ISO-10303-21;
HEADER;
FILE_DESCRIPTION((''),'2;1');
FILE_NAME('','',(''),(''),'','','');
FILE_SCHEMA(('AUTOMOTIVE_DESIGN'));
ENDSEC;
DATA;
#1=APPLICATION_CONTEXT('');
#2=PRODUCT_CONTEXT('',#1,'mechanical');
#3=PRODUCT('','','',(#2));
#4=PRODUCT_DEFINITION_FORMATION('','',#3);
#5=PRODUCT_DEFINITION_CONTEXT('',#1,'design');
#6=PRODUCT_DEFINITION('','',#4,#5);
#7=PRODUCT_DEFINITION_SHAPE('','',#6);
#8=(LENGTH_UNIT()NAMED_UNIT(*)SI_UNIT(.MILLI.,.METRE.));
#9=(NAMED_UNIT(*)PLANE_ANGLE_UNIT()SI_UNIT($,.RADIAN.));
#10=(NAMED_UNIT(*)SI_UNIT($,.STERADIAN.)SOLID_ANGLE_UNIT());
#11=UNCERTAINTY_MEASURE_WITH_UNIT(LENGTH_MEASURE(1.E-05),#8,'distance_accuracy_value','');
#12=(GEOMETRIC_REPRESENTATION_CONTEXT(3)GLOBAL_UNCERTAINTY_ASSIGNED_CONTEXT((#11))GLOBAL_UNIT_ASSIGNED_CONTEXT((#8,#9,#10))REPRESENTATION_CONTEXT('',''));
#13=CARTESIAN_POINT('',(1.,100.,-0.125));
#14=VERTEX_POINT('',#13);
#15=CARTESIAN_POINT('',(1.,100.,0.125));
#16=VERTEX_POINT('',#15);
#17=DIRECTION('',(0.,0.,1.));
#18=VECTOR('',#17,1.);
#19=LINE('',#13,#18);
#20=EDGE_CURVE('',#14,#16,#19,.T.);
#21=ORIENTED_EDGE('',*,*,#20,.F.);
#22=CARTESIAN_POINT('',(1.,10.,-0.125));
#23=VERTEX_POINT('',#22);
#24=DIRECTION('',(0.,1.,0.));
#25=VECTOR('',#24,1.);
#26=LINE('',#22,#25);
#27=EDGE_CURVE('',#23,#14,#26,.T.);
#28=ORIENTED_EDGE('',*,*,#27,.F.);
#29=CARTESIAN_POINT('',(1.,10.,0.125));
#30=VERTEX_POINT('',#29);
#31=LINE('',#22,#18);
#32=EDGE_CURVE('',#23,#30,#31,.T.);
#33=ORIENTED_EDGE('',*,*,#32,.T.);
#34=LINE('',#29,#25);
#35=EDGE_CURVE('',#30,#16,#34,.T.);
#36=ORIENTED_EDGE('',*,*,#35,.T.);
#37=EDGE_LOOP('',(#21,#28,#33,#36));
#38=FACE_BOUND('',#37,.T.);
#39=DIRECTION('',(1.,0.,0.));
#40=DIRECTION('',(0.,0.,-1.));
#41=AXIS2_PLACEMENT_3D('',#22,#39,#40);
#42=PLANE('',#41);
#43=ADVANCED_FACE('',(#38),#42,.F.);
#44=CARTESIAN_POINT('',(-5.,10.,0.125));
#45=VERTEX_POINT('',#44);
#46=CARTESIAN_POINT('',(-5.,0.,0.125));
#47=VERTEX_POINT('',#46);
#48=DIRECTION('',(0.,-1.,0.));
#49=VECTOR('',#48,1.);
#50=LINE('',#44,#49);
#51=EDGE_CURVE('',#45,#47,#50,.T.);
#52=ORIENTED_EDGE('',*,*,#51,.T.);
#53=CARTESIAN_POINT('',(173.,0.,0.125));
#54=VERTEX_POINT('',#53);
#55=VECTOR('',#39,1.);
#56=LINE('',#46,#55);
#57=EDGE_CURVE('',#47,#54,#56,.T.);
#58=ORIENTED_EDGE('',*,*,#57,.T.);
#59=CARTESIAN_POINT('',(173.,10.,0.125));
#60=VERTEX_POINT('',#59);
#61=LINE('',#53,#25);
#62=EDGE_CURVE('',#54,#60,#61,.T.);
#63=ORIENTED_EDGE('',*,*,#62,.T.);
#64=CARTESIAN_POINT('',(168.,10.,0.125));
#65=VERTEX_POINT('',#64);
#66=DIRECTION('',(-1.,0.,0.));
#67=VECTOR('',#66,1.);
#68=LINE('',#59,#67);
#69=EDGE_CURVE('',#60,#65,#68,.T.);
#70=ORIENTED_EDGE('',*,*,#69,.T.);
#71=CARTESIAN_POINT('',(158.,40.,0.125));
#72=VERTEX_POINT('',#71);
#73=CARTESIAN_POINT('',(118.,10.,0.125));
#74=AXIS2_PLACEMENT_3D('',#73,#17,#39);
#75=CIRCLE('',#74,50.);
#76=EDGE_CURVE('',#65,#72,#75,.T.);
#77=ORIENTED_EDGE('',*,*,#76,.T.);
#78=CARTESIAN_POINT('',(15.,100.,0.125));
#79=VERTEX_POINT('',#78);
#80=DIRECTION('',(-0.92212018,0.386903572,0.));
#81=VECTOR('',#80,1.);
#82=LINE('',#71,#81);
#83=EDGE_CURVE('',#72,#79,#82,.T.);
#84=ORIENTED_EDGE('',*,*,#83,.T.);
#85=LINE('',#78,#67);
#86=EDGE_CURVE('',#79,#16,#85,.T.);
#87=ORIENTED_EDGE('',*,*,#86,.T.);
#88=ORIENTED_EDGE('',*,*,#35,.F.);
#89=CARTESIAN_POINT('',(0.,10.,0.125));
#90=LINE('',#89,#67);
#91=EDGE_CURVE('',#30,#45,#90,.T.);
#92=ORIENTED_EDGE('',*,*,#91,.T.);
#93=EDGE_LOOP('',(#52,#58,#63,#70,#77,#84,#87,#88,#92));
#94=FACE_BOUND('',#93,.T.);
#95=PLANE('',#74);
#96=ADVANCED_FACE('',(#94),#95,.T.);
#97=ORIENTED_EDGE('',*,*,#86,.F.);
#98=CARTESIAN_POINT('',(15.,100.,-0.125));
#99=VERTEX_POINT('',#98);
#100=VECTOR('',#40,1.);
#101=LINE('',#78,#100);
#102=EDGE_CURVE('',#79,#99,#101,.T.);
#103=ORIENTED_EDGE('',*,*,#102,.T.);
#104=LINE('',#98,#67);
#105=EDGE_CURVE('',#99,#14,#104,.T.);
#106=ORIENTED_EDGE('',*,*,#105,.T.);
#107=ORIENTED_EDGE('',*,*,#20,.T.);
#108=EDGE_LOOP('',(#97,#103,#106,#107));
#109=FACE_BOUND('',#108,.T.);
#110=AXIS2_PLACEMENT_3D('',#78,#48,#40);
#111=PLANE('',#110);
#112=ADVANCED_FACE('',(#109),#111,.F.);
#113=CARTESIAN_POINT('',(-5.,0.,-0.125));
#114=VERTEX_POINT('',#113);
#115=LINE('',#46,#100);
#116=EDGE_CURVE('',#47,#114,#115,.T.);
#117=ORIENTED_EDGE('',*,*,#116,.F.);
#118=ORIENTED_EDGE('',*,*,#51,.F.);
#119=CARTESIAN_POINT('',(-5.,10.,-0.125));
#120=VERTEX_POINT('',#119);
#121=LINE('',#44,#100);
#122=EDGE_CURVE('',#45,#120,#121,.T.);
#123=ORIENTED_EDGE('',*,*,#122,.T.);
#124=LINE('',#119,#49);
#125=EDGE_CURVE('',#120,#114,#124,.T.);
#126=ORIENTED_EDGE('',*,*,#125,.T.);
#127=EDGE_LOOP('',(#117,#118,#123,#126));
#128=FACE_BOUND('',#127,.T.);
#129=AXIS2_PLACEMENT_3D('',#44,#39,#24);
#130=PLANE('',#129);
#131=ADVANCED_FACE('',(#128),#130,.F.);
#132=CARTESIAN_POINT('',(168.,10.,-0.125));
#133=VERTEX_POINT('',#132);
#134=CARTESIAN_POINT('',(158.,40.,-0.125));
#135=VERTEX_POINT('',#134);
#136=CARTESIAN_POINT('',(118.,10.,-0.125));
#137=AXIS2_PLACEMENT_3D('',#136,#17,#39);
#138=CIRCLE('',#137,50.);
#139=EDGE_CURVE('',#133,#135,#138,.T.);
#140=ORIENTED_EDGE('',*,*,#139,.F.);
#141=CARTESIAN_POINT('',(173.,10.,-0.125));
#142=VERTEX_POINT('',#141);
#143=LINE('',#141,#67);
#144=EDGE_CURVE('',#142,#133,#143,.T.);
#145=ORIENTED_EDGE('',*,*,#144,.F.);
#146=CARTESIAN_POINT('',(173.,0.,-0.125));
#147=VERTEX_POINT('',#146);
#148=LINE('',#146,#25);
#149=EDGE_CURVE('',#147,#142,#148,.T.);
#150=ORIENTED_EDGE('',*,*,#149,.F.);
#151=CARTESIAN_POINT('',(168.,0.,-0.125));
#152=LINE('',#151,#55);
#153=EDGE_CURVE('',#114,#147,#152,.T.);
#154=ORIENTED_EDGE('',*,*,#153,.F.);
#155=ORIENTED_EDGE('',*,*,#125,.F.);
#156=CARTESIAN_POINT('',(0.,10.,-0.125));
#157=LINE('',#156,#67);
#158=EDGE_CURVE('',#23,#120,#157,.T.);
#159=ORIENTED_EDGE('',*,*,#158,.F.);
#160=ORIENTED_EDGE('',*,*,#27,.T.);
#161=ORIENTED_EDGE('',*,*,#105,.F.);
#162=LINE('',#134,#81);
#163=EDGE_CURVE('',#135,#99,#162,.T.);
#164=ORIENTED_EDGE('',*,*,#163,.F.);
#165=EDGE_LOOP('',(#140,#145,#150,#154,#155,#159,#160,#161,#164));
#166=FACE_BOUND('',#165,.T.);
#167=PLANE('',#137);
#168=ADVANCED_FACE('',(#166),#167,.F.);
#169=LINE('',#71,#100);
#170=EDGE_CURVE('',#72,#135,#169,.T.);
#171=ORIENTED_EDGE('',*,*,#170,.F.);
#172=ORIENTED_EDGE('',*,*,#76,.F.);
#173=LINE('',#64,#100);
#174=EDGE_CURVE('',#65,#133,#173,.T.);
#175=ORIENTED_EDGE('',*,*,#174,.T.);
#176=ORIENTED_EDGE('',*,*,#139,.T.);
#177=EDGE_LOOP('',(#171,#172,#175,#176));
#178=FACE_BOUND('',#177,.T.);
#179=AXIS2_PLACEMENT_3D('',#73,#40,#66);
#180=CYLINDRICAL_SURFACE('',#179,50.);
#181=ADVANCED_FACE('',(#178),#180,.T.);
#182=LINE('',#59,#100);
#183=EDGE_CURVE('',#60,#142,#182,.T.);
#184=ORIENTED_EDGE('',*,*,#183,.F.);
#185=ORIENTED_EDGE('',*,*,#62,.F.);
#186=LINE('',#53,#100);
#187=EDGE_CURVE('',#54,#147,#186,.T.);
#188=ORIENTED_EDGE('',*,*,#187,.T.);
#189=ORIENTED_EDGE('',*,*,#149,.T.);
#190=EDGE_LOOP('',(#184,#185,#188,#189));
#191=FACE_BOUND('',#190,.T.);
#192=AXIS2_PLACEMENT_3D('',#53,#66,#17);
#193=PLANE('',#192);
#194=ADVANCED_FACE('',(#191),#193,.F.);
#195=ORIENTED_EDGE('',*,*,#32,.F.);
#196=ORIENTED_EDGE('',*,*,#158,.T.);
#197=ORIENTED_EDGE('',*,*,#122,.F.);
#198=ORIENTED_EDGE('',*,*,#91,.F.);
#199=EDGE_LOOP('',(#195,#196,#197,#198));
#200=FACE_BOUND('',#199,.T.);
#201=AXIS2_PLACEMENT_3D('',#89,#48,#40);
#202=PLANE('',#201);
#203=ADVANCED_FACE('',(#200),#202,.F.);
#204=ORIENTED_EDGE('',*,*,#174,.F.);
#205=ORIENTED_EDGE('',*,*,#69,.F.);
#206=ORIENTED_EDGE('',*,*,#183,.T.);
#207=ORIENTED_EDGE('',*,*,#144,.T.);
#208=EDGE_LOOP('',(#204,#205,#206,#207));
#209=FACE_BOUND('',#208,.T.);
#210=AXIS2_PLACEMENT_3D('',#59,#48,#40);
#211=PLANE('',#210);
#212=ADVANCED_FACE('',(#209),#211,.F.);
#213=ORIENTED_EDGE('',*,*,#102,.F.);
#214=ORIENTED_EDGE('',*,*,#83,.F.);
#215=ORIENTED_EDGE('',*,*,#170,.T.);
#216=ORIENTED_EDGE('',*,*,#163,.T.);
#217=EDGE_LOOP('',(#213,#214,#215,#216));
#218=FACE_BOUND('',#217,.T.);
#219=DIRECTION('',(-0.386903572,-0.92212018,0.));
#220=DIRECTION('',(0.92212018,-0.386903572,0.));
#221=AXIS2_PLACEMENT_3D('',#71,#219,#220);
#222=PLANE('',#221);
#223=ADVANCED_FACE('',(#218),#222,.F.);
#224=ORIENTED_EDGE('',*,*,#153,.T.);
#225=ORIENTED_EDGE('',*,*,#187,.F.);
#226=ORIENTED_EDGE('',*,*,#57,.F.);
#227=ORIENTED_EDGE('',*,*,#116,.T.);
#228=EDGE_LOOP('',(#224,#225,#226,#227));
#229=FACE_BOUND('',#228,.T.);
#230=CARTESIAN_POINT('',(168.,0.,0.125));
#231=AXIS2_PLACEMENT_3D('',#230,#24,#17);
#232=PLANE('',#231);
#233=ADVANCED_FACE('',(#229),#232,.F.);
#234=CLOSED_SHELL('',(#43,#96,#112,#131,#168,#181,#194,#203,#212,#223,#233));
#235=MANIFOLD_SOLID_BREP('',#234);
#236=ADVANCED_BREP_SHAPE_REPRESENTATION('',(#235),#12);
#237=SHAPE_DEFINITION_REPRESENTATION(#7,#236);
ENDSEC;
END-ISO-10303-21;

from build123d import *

# Parameters (mm, degrees)
BOSS_EXTRUDE1_DEPTH = 0.125
SKETCH2_W           = 1
SKETCH2_H           = 90
CUT_EXTRUDE1_DEPTH  = 200.822577553


with BuildPart() as part:
    # Sketch1 → Boss-Extrude1 (new, symmetric)
    with BuildSketch(Plane.XY):
        with BuildLine():
            Line((0, 0), (168, 0))
            Line((168, 0), (173, 0))
            Line((173, 0), (173, 10))
            Line((173, 10), (168, 10))
            ThreePointArc((168, 10), (165.434164903, 25.811388301), (158, 40))
            Line((158, 40), (15, 100))
            Line((15, 100), (0, 100))
            Line((0, 100), (0, 10))
            Line((0, 10), (-5, 10))
            Line((-5, 10), (-5, 0))
            Line((-5, 0), (0, 0))
        make_face()
    extrude(amount=BOSS_EXTRUDE1_DEPTH, both=True)

    # Sketch2 → Cut-Extrude1 (cut, through all)
    with BuildSketch(Plane.XY.offset(0.125)):
        with Locations((0.5, 55)):
            Rectangle(SKETCH2_W, SKETCH2_H)
    extrude(amount=-CUT_EXTRUDE1_DEPTH, mode=Mode.SUBTRACT)


solid = part.part
